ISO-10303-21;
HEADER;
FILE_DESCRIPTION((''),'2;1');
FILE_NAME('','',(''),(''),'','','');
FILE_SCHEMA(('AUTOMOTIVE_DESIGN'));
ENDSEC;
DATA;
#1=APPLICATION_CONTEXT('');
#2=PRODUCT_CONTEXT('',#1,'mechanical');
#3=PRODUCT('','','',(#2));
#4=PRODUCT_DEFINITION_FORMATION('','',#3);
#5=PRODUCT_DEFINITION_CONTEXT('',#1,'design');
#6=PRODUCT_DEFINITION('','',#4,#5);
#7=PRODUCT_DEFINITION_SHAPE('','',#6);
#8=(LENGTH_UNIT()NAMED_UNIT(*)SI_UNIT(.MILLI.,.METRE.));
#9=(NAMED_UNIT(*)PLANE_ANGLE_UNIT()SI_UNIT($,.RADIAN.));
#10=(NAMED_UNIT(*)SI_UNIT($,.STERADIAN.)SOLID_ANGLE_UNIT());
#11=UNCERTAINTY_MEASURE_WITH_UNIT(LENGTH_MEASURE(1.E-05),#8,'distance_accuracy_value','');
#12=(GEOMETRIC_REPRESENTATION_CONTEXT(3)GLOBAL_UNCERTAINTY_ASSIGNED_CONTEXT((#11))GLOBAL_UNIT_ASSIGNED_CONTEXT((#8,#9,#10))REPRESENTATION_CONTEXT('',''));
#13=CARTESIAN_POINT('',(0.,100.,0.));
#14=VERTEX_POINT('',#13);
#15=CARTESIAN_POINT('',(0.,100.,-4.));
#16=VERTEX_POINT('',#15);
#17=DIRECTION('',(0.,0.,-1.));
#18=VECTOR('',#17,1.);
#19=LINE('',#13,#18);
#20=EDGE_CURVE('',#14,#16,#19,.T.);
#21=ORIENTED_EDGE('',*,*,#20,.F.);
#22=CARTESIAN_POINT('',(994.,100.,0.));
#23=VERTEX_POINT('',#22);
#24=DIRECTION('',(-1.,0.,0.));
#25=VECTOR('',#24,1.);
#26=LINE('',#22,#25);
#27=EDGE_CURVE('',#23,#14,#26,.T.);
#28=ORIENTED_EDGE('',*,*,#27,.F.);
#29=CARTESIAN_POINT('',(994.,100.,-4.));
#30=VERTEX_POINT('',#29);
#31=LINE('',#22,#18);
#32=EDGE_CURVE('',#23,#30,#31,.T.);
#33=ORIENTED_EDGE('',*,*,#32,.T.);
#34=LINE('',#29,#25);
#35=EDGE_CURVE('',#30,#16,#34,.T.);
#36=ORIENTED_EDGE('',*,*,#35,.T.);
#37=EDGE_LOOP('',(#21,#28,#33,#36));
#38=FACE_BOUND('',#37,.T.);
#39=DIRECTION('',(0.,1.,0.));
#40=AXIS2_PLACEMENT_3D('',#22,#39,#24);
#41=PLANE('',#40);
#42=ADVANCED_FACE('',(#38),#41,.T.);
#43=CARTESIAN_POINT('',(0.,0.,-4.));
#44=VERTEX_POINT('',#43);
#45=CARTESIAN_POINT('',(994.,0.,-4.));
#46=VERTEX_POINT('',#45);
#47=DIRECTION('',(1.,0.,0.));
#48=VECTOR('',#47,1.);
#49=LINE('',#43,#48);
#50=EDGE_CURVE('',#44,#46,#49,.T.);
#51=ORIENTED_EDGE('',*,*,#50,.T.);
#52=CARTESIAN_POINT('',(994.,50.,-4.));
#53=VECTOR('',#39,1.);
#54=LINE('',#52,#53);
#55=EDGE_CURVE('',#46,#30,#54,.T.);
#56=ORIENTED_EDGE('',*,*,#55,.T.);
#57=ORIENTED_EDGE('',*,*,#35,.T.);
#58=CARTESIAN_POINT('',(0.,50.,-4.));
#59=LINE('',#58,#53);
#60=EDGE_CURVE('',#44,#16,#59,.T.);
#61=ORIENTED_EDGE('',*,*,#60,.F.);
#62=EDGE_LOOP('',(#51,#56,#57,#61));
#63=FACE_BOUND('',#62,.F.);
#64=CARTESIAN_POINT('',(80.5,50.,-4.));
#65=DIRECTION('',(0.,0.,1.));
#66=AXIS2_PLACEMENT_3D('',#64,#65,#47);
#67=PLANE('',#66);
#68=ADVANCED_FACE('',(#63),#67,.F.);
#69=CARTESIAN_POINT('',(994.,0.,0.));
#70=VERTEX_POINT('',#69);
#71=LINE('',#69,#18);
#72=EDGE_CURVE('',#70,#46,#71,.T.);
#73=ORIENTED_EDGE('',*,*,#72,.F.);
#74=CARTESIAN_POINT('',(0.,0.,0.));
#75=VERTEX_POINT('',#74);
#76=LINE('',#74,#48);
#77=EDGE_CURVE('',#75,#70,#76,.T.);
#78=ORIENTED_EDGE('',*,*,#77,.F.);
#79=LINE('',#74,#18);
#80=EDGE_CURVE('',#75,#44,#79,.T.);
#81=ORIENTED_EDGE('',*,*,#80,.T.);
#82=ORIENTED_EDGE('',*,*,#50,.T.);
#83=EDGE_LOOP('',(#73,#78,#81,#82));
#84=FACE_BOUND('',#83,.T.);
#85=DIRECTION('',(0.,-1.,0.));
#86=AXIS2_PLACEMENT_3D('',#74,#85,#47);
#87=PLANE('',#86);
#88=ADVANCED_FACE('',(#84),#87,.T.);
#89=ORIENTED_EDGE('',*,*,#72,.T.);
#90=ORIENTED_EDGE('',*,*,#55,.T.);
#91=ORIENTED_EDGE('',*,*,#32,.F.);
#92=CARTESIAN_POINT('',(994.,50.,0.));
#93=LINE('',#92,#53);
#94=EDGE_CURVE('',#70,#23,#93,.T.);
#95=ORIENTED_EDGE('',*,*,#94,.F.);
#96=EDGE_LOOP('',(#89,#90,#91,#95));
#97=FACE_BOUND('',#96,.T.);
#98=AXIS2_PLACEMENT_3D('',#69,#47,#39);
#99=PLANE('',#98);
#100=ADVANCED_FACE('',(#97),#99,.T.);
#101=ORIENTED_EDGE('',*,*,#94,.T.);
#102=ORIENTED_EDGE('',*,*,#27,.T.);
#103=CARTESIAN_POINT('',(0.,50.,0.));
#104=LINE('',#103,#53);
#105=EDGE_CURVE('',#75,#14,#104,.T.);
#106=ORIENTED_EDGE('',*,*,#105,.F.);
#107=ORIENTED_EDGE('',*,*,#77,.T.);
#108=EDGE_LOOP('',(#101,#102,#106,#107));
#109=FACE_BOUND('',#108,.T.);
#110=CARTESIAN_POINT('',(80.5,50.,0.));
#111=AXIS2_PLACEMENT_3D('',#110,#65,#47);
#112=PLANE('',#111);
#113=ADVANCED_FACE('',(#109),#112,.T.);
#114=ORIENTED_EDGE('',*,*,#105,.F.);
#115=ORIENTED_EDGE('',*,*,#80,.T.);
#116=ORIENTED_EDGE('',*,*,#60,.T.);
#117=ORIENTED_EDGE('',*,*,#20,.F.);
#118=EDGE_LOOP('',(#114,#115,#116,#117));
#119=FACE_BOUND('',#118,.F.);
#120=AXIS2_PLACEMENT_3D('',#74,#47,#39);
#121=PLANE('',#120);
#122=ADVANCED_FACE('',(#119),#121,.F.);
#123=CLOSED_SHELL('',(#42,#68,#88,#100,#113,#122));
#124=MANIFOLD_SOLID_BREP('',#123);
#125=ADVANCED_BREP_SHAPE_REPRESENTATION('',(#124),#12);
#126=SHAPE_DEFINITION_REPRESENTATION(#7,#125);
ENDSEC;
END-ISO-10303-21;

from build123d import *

# Parameters (mm, degrees)
F0_W     = 161
F0_H     = 100
F0_W_2   = 8.25
F0_W_3   = 142
F0_W_4   = 322
F1_DEPTH = 4


with BuildPart() as f1:
    # F0 (on Top) → F1 (new body)
    with BuildSketch(Plane.XY):
        with Locations((80.5, 50)):
            Rectangle(F0_W, F0_H)
        with Locations((165.125, 50)):
            Rectangle(F0_W_2, F0_H)
        with Locations((173.375, 50)):
            Rectangle(F0_W_2, F0_H)
        with Locations((248.5, 50)):
            Rectangle(F0_W_3, F0_H)
        with Locations((323.625, 50)):
            Rectangle(F0_W_2, F0_H)
        with Locations((331.875, 50)):
            Rectangle(F0_W_2, F0_H)
        with Locations((497, 50)):
            Rectangle(F0_W_4, F0_H)
        with Locations((662.125, 50)):
            Rectangle(F0_W_2, F0_H)
        with Locations((670.375, 50)):
            Rectangle(F0_W_2, F0_H)
        with Locations((745.5, 50)):
            Rectangle(F0_W_3, F0_H)
        with Locations((820.625, 50)):
            Rectangle(F0_W_2, F0_H)
        with Locations((828.875, 50)):
            Rectangle(F0_W_2, F0_H)
        with Locations((913.5, 50)):
            Rectangle(F0_W, F0_H)
    extrude(amount=-F1_DEPTH)


solid = f1.part
